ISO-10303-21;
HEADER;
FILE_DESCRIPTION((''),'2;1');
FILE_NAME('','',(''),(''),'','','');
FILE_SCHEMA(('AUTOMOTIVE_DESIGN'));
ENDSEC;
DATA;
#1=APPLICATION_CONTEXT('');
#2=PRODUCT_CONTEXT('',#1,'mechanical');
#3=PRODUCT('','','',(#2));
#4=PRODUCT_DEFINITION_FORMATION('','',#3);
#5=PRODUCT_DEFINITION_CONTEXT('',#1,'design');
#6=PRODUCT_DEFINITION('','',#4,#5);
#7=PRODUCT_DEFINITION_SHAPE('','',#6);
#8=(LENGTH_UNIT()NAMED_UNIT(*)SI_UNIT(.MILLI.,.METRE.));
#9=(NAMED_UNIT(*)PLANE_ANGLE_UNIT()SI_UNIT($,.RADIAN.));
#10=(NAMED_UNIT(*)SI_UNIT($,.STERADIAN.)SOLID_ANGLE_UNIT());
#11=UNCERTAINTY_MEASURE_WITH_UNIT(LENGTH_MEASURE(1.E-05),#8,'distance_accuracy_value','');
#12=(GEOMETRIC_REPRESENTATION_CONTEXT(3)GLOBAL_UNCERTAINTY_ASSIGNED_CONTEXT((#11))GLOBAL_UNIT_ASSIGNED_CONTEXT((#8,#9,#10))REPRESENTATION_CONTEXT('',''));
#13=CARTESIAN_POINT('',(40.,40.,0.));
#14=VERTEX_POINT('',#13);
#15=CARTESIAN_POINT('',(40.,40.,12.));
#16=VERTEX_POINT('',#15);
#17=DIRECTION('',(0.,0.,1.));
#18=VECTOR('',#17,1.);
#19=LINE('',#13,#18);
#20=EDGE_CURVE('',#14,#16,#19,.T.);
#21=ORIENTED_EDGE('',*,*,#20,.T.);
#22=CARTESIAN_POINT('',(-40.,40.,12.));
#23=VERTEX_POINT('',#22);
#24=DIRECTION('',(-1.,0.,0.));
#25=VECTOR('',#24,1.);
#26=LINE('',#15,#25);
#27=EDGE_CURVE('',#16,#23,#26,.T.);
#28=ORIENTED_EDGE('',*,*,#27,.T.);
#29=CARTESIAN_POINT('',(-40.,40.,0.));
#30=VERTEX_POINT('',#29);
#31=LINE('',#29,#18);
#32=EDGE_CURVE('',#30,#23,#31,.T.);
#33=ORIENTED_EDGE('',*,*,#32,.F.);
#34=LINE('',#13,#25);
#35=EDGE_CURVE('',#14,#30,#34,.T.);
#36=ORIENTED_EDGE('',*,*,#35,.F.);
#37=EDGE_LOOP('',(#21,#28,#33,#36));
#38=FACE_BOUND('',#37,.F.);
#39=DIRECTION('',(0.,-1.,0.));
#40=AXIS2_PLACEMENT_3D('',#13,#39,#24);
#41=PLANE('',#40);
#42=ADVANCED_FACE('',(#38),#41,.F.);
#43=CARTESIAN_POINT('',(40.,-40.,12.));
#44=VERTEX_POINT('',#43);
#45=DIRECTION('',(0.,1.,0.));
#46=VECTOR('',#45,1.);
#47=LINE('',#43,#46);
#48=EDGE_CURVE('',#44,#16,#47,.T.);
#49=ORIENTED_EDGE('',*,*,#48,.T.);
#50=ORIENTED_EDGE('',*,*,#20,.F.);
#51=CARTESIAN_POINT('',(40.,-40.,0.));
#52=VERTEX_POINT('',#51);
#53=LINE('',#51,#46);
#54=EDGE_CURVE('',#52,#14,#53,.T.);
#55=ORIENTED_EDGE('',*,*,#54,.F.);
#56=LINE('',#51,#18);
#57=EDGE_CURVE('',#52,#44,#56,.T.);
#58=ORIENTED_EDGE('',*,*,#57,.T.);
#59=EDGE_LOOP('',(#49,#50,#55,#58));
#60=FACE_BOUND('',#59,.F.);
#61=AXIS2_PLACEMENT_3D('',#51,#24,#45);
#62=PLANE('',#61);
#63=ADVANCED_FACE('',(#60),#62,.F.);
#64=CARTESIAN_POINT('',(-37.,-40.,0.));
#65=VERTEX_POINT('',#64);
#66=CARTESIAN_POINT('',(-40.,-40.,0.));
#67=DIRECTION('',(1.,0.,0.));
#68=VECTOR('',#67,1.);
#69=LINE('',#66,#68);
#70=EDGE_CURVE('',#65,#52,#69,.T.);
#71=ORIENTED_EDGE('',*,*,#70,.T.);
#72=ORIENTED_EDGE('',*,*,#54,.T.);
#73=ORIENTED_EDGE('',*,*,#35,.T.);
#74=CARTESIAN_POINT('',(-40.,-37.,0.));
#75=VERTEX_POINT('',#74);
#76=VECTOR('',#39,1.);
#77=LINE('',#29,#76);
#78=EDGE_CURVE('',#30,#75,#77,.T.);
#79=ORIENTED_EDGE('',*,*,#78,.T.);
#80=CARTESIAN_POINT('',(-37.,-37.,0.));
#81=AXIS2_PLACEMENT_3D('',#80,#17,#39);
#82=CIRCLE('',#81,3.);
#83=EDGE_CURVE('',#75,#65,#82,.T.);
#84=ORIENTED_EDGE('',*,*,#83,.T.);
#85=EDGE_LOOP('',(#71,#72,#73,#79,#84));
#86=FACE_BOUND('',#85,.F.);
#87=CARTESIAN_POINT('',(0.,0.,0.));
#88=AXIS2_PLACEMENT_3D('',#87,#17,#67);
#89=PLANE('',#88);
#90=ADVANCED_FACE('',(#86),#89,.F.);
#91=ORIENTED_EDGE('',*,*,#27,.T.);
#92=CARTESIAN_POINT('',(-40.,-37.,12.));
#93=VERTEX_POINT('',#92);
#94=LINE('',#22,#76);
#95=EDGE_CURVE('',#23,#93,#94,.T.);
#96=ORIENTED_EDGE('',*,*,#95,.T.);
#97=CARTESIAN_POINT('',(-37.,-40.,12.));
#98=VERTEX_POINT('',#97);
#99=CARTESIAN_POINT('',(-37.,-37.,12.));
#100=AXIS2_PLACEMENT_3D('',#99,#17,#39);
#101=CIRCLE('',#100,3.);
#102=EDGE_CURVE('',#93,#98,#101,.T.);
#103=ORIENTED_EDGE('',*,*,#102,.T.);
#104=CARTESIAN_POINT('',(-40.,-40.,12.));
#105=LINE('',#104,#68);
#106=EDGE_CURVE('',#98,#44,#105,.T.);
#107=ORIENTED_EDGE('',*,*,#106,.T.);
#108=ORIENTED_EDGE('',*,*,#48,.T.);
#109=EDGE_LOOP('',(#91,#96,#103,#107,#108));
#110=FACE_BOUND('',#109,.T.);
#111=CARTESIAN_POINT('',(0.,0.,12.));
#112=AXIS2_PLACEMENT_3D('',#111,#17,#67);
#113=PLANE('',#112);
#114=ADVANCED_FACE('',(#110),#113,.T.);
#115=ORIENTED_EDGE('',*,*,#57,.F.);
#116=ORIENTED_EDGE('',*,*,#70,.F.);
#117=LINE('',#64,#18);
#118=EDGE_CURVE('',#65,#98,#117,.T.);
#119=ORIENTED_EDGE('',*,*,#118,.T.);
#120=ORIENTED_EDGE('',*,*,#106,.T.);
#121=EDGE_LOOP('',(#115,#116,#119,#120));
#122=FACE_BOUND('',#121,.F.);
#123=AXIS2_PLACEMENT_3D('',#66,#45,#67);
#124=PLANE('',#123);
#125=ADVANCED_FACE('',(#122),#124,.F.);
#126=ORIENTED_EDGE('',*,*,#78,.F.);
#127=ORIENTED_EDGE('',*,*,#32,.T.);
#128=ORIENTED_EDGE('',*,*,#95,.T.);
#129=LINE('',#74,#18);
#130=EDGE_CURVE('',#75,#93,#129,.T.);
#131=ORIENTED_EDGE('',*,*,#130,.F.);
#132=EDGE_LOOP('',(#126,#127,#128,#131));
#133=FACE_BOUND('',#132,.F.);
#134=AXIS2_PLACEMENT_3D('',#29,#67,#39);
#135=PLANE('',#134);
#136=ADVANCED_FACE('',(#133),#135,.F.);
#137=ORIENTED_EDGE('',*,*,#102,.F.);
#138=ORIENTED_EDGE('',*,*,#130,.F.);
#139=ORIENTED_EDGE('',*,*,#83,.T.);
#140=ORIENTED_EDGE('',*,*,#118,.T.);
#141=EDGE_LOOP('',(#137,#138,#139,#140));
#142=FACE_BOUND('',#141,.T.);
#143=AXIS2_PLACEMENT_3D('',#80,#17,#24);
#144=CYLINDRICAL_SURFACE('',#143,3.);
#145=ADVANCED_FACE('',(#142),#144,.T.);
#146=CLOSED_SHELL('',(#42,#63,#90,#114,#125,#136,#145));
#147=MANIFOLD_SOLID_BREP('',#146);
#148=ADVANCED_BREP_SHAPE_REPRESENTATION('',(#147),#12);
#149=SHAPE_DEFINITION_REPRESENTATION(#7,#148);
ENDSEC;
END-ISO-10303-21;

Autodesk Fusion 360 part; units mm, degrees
sketch "Sketch1" plane through (0, 0, 0) normal (0, 0, 1) x (1, 0, 0)
  line L0 (-40, -40) -> (40, -40)
  line L1 (40, -40) -> (40, 40)
  line L2 (40, 40) -> (-40, 40)
  line L3 (-40, 40) -> (-40, -40)
  line L4 (-40, -40) -> (40, 40) construction
  line L5 (40, -40) -> (-40, 40) construction
  dimension "d1" = 80
  dimension "d2" = 80
extrude "Extrude1" add sketch "Sketch1" along normal blind 12
fillet "Fillet1" radius 3 1 edges at (-40, -40, 6)
equation "d1 = d2"
